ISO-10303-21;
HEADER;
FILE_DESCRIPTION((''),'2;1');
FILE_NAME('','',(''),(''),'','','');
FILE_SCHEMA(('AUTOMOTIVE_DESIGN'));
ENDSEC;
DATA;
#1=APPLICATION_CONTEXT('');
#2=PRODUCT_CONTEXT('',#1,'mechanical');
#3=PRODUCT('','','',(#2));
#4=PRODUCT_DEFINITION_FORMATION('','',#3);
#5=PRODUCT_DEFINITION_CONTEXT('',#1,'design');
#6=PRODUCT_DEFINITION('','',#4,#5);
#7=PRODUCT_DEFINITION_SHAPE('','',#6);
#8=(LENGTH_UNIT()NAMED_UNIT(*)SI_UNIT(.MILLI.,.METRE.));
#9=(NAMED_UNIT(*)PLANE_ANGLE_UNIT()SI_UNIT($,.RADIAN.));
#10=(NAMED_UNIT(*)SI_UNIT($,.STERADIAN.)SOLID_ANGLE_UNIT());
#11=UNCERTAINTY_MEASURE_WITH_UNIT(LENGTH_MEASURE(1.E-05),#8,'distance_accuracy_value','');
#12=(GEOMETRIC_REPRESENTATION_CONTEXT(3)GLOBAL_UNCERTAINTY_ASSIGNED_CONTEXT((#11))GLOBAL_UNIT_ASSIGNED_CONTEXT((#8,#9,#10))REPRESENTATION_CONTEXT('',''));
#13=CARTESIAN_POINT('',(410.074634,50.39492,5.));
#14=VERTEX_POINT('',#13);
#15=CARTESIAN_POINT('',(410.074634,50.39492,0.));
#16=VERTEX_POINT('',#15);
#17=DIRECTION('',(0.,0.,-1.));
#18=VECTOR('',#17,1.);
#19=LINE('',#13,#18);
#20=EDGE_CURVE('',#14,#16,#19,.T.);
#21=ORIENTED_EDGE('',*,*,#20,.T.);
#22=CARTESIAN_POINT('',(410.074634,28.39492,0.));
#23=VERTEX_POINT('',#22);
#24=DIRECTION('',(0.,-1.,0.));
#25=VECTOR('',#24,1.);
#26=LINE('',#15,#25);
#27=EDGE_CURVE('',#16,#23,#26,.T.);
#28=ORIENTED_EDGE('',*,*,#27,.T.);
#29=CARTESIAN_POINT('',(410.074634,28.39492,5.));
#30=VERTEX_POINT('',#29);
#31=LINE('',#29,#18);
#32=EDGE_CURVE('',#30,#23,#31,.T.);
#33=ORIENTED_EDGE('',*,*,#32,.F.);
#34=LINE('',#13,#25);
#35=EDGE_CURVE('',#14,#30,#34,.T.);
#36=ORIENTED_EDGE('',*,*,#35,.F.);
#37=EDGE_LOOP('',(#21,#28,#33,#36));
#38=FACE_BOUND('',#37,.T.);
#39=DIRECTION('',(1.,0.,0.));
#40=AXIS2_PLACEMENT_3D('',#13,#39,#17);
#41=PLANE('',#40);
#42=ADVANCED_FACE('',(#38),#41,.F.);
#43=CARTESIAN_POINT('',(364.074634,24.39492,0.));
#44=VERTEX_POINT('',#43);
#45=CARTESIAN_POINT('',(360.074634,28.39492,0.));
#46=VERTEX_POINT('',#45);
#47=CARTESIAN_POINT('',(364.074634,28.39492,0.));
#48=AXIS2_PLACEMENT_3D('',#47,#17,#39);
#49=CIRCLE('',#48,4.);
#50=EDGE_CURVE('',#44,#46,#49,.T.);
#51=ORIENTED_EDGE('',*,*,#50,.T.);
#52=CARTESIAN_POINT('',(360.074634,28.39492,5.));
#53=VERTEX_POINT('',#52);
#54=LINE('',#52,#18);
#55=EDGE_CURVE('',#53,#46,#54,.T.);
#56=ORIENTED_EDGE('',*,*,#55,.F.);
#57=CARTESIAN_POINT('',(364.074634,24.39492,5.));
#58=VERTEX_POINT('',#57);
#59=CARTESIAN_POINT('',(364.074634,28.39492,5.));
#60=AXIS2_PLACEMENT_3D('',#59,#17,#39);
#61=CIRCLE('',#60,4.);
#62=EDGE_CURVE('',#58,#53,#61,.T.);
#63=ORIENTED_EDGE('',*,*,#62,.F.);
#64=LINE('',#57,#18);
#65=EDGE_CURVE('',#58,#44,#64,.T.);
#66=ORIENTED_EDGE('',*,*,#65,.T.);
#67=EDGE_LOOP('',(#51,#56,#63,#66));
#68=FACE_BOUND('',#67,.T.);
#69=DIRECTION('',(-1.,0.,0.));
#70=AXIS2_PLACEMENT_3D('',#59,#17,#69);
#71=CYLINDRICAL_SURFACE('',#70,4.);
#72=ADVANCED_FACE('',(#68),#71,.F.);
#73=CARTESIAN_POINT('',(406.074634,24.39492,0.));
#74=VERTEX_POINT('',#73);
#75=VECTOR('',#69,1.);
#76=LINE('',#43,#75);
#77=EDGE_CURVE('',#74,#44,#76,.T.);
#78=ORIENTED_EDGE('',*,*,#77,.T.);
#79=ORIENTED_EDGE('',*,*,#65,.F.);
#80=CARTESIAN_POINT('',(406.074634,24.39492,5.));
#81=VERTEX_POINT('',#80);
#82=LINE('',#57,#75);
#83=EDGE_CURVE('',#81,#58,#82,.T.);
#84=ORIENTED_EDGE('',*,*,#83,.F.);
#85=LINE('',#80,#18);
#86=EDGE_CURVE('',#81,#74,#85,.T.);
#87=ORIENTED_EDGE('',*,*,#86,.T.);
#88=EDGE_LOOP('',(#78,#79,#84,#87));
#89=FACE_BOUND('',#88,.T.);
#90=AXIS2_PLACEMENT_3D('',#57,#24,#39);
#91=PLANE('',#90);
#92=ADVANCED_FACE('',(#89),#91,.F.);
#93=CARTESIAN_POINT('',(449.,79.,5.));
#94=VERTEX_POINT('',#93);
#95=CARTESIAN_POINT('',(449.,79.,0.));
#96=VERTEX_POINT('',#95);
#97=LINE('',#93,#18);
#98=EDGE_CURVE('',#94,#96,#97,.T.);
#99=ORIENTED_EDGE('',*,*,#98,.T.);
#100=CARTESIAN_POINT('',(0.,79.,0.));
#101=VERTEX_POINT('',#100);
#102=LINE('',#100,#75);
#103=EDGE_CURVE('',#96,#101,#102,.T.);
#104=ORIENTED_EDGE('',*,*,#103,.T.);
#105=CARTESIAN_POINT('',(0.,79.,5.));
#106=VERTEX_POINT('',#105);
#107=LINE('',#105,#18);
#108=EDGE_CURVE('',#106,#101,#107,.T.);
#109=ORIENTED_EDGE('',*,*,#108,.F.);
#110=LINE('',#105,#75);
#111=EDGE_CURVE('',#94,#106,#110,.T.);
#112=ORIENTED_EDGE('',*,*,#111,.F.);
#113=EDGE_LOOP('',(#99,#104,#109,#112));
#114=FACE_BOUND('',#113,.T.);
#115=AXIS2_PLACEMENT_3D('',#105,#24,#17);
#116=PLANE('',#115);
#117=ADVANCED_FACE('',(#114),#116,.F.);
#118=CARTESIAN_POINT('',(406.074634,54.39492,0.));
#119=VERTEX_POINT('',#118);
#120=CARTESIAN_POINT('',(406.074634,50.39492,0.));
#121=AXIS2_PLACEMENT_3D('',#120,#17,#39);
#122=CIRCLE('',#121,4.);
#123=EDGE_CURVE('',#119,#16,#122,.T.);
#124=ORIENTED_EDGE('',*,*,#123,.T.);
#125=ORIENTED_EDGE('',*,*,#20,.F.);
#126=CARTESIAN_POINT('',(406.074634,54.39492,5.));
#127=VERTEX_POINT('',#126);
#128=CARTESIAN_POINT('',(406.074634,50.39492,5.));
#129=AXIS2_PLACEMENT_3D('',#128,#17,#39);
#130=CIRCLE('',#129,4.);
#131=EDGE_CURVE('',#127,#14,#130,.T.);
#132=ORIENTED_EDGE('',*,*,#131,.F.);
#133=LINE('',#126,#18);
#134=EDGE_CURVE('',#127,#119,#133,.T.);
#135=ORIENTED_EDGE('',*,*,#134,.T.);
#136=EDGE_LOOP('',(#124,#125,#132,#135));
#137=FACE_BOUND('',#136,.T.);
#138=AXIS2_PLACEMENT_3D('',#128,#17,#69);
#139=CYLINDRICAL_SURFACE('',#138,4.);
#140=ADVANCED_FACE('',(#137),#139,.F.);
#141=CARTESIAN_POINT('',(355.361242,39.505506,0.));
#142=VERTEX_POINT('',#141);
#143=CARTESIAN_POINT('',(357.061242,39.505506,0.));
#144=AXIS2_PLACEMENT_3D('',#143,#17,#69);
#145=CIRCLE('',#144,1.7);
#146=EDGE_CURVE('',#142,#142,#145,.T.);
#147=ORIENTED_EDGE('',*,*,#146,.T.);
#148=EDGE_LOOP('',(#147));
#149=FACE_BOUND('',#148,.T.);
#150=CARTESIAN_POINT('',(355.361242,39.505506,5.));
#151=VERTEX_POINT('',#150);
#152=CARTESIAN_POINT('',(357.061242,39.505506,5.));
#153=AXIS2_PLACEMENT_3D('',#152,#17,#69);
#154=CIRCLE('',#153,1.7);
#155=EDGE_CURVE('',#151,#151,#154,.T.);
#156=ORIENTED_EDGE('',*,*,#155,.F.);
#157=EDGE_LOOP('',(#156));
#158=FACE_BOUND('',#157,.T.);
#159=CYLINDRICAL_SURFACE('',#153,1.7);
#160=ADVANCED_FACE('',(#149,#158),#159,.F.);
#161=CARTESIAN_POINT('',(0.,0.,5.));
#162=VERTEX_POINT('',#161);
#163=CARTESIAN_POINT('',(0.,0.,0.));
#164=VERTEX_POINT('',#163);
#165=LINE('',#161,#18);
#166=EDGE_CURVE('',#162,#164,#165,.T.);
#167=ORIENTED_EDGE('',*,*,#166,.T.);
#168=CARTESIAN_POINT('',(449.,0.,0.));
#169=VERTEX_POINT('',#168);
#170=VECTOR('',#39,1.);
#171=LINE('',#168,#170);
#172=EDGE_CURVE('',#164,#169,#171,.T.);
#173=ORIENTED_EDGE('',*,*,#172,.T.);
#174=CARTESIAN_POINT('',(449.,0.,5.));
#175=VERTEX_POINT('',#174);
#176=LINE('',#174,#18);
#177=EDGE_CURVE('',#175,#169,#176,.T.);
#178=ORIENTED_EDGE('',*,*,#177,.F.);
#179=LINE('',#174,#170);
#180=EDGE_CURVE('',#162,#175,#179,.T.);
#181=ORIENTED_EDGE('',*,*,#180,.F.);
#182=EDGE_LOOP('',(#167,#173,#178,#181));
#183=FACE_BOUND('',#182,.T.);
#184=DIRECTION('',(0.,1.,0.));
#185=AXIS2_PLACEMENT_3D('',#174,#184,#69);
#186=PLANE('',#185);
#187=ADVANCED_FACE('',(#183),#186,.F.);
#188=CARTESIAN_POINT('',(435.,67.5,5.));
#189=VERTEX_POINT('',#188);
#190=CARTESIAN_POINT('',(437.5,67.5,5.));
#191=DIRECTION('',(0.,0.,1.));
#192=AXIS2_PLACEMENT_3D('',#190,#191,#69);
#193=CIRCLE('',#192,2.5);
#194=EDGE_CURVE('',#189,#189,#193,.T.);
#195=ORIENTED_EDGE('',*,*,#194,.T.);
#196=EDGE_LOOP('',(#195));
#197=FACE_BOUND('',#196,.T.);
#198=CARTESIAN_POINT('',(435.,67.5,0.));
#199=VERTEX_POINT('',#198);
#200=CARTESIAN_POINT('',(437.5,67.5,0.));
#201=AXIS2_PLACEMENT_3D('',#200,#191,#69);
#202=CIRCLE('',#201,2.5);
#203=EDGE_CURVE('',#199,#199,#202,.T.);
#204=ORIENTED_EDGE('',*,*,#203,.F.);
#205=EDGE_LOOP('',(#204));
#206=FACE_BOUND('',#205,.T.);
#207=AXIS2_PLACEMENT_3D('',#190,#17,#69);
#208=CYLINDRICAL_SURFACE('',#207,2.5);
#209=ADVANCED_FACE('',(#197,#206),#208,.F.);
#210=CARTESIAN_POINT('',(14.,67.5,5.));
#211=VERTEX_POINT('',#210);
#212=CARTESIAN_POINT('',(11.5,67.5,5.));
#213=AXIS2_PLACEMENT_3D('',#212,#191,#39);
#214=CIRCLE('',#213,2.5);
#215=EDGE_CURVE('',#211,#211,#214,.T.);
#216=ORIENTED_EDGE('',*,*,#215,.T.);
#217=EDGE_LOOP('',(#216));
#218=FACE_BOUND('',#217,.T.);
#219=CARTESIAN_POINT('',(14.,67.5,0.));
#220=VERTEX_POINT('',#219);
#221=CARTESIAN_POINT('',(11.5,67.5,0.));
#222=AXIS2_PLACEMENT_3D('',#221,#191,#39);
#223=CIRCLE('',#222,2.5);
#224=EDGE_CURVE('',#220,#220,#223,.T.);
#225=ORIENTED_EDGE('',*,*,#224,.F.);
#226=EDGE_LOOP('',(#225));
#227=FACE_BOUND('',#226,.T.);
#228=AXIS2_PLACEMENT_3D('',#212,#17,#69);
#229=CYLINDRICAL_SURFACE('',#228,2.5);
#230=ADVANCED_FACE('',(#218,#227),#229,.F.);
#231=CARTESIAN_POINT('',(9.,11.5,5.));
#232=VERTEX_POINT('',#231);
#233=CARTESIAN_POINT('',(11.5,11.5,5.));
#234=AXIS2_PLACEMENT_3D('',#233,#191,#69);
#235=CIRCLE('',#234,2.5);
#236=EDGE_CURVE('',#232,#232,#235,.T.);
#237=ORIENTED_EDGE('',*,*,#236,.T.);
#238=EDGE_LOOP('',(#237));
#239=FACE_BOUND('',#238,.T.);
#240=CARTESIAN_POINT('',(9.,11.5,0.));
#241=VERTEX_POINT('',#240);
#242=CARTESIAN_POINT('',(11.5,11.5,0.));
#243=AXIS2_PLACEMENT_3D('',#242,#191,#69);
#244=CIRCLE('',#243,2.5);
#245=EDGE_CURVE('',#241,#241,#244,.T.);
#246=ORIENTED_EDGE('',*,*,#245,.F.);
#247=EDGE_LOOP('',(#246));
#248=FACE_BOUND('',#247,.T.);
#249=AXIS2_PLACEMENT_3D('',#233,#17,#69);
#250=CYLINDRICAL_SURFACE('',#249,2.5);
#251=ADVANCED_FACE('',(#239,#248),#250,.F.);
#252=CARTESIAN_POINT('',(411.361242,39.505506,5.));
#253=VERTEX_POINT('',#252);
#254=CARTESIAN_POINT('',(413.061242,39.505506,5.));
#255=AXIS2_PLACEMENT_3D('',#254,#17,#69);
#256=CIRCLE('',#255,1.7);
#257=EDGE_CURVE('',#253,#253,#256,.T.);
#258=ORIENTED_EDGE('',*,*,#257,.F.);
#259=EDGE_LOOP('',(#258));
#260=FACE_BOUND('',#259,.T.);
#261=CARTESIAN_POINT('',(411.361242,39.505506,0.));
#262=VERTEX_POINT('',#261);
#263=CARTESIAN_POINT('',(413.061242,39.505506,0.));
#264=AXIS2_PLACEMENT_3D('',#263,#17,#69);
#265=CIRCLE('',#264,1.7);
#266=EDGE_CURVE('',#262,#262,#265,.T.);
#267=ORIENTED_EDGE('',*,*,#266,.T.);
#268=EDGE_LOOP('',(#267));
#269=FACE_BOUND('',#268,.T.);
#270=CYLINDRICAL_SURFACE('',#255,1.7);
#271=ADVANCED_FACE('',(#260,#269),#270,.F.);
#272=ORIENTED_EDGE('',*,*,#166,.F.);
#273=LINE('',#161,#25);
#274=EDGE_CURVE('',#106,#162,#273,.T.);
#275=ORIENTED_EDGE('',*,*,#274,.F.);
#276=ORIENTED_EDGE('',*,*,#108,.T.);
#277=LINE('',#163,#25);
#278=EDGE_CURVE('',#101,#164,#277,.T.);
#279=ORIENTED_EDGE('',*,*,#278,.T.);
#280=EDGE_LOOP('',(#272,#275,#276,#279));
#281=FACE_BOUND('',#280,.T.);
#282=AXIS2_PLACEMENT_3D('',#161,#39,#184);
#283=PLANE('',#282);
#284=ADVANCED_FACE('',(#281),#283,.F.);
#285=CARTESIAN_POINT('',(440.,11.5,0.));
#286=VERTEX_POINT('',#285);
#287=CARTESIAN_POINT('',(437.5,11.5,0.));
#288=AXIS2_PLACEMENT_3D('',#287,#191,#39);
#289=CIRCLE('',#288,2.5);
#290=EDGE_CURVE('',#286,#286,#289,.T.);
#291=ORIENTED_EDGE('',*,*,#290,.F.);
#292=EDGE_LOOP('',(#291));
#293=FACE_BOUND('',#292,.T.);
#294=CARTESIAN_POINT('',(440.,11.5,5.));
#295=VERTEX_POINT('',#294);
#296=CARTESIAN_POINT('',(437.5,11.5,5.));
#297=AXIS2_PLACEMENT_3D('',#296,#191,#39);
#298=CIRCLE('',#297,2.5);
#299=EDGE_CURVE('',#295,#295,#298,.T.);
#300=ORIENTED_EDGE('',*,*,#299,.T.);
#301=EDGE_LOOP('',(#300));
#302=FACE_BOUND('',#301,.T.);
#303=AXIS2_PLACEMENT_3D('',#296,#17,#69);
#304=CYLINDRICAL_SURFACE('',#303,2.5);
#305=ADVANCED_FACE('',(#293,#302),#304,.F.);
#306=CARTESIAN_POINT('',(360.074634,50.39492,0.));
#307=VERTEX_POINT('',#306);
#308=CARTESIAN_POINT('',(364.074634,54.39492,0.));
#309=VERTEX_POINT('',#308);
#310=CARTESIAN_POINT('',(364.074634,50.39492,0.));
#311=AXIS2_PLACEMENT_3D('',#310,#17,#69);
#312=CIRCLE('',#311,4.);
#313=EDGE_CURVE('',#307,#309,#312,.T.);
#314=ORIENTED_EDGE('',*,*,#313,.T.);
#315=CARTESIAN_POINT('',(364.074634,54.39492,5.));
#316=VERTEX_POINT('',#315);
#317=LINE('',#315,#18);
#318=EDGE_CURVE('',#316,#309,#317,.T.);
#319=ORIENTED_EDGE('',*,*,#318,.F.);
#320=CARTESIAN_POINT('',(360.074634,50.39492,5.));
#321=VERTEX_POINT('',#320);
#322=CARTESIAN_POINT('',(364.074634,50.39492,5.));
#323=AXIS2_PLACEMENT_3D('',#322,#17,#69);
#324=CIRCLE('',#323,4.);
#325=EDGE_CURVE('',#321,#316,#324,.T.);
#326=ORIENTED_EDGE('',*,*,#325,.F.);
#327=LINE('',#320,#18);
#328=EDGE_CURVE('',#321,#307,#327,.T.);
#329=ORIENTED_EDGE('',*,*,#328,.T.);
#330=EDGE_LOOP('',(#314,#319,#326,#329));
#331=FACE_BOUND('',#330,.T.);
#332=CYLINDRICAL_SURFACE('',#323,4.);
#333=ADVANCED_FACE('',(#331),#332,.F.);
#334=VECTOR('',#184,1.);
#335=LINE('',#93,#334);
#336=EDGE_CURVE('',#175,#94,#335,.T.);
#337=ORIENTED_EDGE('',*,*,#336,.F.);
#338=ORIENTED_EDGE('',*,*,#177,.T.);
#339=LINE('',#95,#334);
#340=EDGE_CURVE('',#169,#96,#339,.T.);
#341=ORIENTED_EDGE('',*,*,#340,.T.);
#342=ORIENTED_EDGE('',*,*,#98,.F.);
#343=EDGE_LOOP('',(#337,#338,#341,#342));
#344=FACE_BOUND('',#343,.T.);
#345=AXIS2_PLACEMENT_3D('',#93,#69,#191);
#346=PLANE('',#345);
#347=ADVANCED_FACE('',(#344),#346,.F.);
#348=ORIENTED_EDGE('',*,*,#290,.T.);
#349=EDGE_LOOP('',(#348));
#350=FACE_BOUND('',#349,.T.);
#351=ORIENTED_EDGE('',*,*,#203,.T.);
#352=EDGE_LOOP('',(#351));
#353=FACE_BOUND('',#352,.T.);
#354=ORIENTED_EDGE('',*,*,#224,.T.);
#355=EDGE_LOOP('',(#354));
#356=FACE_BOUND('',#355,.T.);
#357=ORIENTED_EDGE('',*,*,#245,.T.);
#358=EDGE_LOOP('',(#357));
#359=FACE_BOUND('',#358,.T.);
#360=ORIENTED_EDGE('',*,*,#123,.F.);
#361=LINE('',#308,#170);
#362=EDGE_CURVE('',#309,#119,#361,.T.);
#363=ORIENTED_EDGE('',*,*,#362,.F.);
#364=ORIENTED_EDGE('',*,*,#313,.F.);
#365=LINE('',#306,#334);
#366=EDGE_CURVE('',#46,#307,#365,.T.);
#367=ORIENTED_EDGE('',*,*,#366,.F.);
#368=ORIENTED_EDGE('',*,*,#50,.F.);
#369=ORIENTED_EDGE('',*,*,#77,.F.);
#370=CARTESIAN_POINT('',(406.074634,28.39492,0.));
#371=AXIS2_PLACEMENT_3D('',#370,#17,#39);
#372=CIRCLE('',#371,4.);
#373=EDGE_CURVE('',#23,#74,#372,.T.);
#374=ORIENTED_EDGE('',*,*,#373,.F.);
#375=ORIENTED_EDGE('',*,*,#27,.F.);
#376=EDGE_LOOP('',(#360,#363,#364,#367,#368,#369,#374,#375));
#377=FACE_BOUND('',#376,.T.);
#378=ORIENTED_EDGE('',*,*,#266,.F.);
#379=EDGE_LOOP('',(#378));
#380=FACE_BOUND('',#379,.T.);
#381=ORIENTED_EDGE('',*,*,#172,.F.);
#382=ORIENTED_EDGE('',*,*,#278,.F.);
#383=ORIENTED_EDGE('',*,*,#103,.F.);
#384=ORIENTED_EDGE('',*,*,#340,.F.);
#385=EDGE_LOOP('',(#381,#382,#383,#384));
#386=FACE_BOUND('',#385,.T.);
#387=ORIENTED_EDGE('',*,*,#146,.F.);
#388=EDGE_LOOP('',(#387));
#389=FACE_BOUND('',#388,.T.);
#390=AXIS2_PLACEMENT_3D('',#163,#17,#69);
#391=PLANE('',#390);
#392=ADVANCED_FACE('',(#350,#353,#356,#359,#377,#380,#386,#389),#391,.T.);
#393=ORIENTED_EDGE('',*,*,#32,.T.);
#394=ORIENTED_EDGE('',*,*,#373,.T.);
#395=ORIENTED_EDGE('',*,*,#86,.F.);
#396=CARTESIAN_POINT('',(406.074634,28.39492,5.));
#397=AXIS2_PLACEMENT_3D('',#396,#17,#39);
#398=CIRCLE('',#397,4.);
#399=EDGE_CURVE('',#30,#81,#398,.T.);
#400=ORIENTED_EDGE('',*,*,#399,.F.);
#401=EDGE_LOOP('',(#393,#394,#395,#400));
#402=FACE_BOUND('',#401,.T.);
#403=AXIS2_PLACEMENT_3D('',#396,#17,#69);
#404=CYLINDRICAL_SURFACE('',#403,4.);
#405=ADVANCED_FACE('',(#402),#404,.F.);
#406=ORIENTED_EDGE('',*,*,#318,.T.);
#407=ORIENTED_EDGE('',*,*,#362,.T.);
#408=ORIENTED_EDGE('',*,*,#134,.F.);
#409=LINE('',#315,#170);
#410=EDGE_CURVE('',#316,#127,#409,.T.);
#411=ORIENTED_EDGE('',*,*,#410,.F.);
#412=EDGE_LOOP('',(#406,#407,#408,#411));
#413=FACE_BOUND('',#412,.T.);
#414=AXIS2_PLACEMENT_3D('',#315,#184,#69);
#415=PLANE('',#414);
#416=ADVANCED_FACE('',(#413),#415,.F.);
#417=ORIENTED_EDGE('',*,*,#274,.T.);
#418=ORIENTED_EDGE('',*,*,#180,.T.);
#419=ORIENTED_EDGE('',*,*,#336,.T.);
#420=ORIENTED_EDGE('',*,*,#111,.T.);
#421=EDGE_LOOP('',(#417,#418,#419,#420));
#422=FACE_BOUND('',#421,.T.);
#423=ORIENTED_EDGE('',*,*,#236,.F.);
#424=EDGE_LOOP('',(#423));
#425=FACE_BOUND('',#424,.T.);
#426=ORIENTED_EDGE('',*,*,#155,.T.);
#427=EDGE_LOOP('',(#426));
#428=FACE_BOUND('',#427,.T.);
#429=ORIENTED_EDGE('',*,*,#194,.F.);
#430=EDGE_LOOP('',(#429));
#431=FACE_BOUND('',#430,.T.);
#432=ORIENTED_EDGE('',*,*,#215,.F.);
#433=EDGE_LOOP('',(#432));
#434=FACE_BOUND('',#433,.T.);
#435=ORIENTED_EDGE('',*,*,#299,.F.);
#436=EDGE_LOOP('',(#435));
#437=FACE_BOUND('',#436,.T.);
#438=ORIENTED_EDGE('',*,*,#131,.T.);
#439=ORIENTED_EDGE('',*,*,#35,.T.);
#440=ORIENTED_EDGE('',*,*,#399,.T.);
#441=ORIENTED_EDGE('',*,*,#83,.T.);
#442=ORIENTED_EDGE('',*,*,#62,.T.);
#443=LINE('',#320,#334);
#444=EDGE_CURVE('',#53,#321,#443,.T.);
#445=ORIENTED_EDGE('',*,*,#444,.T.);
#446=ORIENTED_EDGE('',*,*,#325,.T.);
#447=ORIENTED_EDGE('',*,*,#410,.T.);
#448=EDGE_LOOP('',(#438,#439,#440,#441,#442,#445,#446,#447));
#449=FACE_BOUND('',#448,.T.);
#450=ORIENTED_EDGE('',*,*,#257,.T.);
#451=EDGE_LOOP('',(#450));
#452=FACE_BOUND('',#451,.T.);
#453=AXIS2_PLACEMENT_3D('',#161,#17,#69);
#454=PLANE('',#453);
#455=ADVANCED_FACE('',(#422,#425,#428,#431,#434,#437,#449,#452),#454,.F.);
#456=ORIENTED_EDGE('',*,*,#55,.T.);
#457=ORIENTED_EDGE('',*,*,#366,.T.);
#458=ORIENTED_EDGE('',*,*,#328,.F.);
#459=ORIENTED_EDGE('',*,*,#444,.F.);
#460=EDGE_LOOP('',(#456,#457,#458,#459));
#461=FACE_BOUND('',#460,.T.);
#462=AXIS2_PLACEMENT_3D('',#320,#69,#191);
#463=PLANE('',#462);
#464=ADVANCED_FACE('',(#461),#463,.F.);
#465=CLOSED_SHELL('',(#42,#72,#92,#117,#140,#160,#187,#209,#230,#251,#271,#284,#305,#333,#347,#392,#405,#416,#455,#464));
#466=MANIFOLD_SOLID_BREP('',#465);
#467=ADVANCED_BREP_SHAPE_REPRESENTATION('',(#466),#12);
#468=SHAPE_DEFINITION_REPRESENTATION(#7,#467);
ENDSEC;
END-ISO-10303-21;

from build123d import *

# Parameters (mm, degrees)
SKETCH_F_W                   = 449
SKETCH_F_H                   = 79
SKETCH_F_R                   = 2.5
ESTRUSIONE_ESTRUSIONE1_DEPTH = 5
SKETCH1_R                    = 1.7
EXTRUDE1_DEPTH               = 6


with BuildPart() as part:
    # Sketch f → Estrusione-Estrusione1 (new body)
    with BuildSketch(Plane.XY):
        with Locations((224.5, 39.5)):
            Rectangle(SKETCH_F_W, SKETCH_F_H)
        with Locations((11.5, 67.5)):
            Circle(SKETCH_F_R, mode=Mode.SUBTRACT)
        with Locations((437.5, 67.5)):
            Circle(SKETCH_F_R, mode=Mode.SUBTRACT)
        with Locations((11.5, 11.5)):
            Circle(SKETCH_F_R, mode=Mode.SUBTRACT)
        with Locations((437.5, 11.5)):
            Circle(SKETCH_F_R, mode=Mode.SUBTRACT)
    extrude(amount=ESTRUSIONE_ESTRUSIONE1_DEPTH)

    # Sketch1 → Extrude1 (cut, through all)
    with BuildSketch(Plane(origin=(0, 0, 0), x_dir=(-1, 0, 0), z_dir=(0, 0, -1))):
        with Locations((-413.061242298, 39.505506417)):
            Circle(SKETCH1_R)
        with Locations((-357.061242298, 39.505506417)):
            Circle(SKETCH1_R)
        with BuildLine():
            Line((-364.0746338, 54.394920259), (-406.0746338, 54.394920259))
            ThreePointArc((-406.0746338, 54.394920259), (-408.903060925, 53.223347384), (-410.0746338, 50.394920259))
            Line((-410.0746338, 50.394920259), (-410.0746338, 28.394920259))
            ThreePointArc((-410.0746338, 28.394920259), (-408.903060925, 25.566493134), (-406.0746338, 24.394920259))
            Line((-406.0746338, 24.394920259), (-364.0746338, 24.394920259))
            ThreePointArc((-364.0746338, 24.394920259), (-361.246206675, 25.566493134), (-360.0746338, 28.394920259))
            Line((-360.0746338, 28.394920259), (-360.0746338, 50.394920259))
            ThreePointArc((-360.0746338, 50.394920259), (-361.246206675, 53.223347384), (-364.0746338, 54.394920259))
        make_face()
    extrude(amount=-EXTRUDE1_DEPTH, mode=Mode.SUBTRACT)


solid = part.part
